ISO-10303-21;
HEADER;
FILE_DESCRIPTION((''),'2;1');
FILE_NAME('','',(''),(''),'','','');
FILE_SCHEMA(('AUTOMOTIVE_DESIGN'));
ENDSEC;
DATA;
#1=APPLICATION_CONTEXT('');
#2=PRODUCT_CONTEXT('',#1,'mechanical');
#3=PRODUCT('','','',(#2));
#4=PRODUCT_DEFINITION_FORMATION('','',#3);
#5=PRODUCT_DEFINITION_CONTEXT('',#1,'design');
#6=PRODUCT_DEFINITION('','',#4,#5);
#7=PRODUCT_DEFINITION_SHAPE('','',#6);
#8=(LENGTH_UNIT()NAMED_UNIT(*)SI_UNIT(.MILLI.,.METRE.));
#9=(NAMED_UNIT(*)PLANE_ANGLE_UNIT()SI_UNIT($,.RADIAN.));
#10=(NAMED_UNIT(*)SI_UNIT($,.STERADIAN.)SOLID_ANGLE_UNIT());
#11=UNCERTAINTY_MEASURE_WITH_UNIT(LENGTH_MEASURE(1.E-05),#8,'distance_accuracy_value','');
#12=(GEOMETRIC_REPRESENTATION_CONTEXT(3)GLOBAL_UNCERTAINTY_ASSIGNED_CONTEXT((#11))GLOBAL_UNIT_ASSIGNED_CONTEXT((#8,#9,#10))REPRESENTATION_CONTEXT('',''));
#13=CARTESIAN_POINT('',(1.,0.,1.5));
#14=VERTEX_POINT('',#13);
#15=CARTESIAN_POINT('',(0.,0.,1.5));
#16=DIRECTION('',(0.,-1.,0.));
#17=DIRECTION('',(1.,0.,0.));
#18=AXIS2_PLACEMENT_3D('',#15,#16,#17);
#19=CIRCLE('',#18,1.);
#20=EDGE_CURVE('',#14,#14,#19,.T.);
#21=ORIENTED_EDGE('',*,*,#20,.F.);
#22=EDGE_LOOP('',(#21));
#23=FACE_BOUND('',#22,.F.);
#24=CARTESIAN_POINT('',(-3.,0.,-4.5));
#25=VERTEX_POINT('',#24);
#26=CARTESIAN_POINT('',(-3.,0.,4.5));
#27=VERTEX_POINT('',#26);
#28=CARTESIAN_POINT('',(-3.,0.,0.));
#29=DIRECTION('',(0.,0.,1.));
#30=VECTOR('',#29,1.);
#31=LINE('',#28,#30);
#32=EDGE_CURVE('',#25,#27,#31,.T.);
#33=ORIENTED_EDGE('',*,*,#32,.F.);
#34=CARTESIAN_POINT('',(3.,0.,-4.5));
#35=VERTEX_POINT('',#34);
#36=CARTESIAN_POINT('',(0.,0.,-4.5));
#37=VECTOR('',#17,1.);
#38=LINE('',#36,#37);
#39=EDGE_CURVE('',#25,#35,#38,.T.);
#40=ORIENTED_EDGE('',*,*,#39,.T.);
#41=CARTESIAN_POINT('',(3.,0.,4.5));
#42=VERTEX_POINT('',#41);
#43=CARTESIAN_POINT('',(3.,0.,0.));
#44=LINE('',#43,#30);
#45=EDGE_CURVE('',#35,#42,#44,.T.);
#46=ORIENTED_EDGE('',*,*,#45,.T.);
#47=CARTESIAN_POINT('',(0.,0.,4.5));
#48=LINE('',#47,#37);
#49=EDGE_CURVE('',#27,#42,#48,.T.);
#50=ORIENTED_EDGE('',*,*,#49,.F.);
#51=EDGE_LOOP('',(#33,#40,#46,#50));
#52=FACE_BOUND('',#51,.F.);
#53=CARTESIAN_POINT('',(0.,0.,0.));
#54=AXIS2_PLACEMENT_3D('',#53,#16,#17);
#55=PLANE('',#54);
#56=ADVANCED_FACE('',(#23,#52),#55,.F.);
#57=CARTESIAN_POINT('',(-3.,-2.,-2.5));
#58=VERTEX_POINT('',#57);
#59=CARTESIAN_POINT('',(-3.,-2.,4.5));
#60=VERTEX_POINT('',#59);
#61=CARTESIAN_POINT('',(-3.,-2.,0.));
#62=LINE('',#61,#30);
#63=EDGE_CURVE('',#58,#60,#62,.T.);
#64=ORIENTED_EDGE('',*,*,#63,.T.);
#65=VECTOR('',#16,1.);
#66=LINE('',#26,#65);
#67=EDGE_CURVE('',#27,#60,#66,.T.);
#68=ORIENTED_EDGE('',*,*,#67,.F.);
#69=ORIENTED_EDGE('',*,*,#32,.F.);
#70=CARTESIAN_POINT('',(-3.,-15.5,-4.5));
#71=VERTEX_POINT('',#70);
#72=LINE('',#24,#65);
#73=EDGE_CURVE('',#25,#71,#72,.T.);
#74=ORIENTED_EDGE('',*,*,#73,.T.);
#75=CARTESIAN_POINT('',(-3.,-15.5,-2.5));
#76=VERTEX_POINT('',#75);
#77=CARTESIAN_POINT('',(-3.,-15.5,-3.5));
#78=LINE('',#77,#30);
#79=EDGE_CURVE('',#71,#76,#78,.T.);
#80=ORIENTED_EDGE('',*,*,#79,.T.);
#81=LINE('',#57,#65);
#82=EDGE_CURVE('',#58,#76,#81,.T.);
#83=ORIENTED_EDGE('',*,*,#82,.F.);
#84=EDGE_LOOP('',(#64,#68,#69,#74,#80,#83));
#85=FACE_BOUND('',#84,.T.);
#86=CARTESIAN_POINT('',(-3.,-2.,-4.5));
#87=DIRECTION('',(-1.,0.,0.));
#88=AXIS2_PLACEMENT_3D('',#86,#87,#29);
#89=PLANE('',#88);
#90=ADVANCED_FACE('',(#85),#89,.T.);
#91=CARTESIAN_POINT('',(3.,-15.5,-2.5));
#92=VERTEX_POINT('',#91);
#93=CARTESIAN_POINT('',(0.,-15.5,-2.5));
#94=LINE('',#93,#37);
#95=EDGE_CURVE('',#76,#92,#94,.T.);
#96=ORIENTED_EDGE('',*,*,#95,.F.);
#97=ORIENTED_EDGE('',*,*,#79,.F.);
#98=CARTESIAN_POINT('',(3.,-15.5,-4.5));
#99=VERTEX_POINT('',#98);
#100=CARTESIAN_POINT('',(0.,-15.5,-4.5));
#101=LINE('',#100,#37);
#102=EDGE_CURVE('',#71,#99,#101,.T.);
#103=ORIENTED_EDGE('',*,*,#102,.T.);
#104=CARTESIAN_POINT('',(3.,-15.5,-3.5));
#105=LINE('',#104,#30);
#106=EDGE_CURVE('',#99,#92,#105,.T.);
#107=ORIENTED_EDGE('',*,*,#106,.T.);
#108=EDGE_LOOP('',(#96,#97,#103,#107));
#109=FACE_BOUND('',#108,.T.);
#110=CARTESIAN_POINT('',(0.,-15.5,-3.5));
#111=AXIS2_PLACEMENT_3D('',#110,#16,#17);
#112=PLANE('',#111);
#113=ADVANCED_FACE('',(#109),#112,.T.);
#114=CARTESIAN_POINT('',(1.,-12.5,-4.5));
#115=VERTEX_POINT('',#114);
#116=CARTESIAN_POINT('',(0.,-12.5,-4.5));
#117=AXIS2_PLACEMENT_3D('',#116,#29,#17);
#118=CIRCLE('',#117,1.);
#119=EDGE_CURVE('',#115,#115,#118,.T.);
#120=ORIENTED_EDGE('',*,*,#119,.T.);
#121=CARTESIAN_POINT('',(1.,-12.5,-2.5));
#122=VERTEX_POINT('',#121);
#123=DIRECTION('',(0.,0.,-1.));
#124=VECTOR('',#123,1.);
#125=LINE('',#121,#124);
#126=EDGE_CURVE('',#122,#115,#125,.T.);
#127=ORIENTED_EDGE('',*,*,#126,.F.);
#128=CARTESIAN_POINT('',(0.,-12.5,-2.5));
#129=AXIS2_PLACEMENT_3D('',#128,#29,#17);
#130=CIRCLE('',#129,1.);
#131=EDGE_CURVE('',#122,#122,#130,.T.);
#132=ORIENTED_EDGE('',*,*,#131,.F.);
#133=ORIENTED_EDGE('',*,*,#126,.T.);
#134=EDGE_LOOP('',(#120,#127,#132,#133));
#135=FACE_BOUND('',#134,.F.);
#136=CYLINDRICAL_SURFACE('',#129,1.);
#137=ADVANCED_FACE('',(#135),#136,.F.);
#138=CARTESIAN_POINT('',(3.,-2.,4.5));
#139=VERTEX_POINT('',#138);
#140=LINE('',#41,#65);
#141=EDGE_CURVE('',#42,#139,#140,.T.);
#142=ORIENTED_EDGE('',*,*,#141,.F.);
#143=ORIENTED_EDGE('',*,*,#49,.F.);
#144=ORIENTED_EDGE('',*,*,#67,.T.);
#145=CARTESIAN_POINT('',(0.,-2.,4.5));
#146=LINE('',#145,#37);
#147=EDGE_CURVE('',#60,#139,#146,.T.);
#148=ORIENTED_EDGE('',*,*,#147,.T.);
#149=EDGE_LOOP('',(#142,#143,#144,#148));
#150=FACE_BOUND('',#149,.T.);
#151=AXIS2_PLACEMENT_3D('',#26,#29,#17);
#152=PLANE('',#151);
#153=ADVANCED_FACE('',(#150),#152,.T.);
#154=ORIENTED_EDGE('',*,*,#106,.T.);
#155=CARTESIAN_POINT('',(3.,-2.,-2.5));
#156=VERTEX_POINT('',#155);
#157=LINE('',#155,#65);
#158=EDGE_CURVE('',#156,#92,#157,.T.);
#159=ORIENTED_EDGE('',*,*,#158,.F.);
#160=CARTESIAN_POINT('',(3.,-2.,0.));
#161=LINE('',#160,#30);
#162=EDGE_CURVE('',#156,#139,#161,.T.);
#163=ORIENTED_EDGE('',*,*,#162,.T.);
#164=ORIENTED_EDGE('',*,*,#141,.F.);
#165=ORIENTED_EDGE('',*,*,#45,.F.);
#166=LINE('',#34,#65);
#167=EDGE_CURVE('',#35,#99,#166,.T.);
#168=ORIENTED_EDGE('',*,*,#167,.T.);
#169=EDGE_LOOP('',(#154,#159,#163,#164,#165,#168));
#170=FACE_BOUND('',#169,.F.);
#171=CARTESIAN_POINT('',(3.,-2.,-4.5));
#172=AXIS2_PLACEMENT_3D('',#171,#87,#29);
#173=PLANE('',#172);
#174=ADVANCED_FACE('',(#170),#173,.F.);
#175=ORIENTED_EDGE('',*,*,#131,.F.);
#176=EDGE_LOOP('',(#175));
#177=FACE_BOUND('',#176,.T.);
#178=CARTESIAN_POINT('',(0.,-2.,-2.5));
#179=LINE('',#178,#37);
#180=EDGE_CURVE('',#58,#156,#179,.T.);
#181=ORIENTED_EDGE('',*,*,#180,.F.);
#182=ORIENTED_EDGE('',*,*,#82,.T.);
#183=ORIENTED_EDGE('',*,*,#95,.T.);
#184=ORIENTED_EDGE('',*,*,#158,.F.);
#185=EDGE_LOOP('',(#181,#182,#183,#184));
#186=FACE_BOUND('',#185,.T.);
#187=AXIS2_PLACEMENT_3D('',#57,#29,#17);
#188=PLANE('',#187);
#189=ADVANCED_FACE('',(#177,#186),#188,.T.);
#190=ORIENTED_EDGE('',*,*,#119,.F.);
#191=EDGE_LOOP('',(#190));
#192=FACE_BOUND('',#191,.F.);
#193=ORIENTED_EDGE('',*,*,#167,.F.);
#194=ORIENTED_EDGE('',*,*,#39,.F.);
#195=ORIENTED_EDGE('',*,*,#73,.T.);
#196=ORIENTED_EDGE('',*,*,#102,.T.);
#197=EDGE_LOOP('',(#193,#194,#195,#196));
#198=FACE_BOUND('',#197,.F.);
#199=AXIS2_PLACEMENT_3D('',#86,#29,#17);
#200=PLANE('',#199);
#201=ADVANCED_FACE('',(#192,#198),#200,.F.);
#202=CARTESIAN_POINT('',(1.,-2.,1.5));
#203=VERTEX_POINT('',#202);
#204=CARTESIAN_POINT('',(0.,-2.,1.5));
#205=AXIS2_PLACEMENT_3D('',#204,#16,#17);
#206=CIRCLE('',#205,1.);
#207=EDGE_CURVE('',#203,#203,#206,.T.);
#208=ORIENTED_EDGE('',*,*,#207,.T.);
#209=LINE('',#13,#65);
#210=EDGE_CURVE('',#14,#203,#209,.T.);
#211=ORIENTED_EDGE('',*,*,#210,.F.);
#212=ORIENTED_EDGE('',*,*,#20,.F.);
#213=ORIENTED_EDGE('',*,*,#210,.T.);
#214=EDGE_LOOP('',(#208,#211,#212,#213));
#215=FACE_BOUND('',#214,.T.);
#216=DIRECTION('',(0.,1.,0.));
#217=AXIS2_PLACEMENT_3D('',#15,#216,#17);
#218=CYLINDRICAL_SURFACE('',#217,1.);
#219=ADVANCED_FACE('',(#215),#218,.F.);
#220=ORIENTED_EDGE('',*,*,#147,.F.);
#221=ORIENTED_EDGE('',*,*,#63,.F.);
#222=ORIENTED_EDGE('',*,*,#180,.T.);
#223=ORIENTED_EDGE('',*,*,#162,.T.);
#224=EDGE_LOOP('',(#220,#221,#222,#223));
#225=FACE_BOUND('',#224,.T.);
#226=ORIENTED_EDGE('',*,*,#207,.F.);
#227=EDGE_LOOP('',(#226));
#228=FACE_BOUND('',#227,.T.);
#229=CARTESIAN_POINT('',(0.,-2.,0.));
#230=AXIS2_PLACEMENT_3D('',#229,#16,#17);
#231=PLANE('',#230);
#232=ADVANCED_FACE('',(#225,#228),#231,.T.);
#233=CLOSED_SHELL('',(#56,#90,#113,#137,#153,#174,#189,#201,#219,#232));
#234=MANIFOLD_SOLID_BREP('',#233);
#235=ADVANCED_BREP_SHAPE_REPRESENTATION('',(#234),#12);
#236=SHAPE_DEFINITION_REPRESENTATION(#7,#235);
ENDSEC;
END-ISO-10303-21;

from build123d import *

# Parameters (mm, degrees)
F0_W     = 6
F0_H     = 9
F0_R     = 1
F1_DEPTH = 2
F2_W     = 6
F2_H     = 2
F3_DEPTH = 13.5
F4_R     = 1
F5_DEPTH = 25


with BuildPart() as f1:
    # F0 (on Front) → F1 (new body)
    with BuildSketch(Plane.XZ):
        Rectangle(F0_W, F0_H)
        with Locations((0, 1.5)):
            Circle(F0_R, mode=Mode.SUBTRACT)
    extrude(amount=F1_DEPTH)

    # F2 (on face) → F3 (join)
    with BuildSketch(Plane.XZ.offset(2)):
        with Locations((0, -3.5)):
            Rectangle(F2_W, F2_H)
    extrude(amount=F3_DEPTH)

    # F4 (on face) → F5 (cut)
    with BuildSketch(Plane.XY.offset(-2.5)):
        with Locations((0, -12.5)):
            Circle(F4_R)
    extrude(amount=-F5_DEPTH, mode=Mode.SUBTRACT)


solid = f1.part
